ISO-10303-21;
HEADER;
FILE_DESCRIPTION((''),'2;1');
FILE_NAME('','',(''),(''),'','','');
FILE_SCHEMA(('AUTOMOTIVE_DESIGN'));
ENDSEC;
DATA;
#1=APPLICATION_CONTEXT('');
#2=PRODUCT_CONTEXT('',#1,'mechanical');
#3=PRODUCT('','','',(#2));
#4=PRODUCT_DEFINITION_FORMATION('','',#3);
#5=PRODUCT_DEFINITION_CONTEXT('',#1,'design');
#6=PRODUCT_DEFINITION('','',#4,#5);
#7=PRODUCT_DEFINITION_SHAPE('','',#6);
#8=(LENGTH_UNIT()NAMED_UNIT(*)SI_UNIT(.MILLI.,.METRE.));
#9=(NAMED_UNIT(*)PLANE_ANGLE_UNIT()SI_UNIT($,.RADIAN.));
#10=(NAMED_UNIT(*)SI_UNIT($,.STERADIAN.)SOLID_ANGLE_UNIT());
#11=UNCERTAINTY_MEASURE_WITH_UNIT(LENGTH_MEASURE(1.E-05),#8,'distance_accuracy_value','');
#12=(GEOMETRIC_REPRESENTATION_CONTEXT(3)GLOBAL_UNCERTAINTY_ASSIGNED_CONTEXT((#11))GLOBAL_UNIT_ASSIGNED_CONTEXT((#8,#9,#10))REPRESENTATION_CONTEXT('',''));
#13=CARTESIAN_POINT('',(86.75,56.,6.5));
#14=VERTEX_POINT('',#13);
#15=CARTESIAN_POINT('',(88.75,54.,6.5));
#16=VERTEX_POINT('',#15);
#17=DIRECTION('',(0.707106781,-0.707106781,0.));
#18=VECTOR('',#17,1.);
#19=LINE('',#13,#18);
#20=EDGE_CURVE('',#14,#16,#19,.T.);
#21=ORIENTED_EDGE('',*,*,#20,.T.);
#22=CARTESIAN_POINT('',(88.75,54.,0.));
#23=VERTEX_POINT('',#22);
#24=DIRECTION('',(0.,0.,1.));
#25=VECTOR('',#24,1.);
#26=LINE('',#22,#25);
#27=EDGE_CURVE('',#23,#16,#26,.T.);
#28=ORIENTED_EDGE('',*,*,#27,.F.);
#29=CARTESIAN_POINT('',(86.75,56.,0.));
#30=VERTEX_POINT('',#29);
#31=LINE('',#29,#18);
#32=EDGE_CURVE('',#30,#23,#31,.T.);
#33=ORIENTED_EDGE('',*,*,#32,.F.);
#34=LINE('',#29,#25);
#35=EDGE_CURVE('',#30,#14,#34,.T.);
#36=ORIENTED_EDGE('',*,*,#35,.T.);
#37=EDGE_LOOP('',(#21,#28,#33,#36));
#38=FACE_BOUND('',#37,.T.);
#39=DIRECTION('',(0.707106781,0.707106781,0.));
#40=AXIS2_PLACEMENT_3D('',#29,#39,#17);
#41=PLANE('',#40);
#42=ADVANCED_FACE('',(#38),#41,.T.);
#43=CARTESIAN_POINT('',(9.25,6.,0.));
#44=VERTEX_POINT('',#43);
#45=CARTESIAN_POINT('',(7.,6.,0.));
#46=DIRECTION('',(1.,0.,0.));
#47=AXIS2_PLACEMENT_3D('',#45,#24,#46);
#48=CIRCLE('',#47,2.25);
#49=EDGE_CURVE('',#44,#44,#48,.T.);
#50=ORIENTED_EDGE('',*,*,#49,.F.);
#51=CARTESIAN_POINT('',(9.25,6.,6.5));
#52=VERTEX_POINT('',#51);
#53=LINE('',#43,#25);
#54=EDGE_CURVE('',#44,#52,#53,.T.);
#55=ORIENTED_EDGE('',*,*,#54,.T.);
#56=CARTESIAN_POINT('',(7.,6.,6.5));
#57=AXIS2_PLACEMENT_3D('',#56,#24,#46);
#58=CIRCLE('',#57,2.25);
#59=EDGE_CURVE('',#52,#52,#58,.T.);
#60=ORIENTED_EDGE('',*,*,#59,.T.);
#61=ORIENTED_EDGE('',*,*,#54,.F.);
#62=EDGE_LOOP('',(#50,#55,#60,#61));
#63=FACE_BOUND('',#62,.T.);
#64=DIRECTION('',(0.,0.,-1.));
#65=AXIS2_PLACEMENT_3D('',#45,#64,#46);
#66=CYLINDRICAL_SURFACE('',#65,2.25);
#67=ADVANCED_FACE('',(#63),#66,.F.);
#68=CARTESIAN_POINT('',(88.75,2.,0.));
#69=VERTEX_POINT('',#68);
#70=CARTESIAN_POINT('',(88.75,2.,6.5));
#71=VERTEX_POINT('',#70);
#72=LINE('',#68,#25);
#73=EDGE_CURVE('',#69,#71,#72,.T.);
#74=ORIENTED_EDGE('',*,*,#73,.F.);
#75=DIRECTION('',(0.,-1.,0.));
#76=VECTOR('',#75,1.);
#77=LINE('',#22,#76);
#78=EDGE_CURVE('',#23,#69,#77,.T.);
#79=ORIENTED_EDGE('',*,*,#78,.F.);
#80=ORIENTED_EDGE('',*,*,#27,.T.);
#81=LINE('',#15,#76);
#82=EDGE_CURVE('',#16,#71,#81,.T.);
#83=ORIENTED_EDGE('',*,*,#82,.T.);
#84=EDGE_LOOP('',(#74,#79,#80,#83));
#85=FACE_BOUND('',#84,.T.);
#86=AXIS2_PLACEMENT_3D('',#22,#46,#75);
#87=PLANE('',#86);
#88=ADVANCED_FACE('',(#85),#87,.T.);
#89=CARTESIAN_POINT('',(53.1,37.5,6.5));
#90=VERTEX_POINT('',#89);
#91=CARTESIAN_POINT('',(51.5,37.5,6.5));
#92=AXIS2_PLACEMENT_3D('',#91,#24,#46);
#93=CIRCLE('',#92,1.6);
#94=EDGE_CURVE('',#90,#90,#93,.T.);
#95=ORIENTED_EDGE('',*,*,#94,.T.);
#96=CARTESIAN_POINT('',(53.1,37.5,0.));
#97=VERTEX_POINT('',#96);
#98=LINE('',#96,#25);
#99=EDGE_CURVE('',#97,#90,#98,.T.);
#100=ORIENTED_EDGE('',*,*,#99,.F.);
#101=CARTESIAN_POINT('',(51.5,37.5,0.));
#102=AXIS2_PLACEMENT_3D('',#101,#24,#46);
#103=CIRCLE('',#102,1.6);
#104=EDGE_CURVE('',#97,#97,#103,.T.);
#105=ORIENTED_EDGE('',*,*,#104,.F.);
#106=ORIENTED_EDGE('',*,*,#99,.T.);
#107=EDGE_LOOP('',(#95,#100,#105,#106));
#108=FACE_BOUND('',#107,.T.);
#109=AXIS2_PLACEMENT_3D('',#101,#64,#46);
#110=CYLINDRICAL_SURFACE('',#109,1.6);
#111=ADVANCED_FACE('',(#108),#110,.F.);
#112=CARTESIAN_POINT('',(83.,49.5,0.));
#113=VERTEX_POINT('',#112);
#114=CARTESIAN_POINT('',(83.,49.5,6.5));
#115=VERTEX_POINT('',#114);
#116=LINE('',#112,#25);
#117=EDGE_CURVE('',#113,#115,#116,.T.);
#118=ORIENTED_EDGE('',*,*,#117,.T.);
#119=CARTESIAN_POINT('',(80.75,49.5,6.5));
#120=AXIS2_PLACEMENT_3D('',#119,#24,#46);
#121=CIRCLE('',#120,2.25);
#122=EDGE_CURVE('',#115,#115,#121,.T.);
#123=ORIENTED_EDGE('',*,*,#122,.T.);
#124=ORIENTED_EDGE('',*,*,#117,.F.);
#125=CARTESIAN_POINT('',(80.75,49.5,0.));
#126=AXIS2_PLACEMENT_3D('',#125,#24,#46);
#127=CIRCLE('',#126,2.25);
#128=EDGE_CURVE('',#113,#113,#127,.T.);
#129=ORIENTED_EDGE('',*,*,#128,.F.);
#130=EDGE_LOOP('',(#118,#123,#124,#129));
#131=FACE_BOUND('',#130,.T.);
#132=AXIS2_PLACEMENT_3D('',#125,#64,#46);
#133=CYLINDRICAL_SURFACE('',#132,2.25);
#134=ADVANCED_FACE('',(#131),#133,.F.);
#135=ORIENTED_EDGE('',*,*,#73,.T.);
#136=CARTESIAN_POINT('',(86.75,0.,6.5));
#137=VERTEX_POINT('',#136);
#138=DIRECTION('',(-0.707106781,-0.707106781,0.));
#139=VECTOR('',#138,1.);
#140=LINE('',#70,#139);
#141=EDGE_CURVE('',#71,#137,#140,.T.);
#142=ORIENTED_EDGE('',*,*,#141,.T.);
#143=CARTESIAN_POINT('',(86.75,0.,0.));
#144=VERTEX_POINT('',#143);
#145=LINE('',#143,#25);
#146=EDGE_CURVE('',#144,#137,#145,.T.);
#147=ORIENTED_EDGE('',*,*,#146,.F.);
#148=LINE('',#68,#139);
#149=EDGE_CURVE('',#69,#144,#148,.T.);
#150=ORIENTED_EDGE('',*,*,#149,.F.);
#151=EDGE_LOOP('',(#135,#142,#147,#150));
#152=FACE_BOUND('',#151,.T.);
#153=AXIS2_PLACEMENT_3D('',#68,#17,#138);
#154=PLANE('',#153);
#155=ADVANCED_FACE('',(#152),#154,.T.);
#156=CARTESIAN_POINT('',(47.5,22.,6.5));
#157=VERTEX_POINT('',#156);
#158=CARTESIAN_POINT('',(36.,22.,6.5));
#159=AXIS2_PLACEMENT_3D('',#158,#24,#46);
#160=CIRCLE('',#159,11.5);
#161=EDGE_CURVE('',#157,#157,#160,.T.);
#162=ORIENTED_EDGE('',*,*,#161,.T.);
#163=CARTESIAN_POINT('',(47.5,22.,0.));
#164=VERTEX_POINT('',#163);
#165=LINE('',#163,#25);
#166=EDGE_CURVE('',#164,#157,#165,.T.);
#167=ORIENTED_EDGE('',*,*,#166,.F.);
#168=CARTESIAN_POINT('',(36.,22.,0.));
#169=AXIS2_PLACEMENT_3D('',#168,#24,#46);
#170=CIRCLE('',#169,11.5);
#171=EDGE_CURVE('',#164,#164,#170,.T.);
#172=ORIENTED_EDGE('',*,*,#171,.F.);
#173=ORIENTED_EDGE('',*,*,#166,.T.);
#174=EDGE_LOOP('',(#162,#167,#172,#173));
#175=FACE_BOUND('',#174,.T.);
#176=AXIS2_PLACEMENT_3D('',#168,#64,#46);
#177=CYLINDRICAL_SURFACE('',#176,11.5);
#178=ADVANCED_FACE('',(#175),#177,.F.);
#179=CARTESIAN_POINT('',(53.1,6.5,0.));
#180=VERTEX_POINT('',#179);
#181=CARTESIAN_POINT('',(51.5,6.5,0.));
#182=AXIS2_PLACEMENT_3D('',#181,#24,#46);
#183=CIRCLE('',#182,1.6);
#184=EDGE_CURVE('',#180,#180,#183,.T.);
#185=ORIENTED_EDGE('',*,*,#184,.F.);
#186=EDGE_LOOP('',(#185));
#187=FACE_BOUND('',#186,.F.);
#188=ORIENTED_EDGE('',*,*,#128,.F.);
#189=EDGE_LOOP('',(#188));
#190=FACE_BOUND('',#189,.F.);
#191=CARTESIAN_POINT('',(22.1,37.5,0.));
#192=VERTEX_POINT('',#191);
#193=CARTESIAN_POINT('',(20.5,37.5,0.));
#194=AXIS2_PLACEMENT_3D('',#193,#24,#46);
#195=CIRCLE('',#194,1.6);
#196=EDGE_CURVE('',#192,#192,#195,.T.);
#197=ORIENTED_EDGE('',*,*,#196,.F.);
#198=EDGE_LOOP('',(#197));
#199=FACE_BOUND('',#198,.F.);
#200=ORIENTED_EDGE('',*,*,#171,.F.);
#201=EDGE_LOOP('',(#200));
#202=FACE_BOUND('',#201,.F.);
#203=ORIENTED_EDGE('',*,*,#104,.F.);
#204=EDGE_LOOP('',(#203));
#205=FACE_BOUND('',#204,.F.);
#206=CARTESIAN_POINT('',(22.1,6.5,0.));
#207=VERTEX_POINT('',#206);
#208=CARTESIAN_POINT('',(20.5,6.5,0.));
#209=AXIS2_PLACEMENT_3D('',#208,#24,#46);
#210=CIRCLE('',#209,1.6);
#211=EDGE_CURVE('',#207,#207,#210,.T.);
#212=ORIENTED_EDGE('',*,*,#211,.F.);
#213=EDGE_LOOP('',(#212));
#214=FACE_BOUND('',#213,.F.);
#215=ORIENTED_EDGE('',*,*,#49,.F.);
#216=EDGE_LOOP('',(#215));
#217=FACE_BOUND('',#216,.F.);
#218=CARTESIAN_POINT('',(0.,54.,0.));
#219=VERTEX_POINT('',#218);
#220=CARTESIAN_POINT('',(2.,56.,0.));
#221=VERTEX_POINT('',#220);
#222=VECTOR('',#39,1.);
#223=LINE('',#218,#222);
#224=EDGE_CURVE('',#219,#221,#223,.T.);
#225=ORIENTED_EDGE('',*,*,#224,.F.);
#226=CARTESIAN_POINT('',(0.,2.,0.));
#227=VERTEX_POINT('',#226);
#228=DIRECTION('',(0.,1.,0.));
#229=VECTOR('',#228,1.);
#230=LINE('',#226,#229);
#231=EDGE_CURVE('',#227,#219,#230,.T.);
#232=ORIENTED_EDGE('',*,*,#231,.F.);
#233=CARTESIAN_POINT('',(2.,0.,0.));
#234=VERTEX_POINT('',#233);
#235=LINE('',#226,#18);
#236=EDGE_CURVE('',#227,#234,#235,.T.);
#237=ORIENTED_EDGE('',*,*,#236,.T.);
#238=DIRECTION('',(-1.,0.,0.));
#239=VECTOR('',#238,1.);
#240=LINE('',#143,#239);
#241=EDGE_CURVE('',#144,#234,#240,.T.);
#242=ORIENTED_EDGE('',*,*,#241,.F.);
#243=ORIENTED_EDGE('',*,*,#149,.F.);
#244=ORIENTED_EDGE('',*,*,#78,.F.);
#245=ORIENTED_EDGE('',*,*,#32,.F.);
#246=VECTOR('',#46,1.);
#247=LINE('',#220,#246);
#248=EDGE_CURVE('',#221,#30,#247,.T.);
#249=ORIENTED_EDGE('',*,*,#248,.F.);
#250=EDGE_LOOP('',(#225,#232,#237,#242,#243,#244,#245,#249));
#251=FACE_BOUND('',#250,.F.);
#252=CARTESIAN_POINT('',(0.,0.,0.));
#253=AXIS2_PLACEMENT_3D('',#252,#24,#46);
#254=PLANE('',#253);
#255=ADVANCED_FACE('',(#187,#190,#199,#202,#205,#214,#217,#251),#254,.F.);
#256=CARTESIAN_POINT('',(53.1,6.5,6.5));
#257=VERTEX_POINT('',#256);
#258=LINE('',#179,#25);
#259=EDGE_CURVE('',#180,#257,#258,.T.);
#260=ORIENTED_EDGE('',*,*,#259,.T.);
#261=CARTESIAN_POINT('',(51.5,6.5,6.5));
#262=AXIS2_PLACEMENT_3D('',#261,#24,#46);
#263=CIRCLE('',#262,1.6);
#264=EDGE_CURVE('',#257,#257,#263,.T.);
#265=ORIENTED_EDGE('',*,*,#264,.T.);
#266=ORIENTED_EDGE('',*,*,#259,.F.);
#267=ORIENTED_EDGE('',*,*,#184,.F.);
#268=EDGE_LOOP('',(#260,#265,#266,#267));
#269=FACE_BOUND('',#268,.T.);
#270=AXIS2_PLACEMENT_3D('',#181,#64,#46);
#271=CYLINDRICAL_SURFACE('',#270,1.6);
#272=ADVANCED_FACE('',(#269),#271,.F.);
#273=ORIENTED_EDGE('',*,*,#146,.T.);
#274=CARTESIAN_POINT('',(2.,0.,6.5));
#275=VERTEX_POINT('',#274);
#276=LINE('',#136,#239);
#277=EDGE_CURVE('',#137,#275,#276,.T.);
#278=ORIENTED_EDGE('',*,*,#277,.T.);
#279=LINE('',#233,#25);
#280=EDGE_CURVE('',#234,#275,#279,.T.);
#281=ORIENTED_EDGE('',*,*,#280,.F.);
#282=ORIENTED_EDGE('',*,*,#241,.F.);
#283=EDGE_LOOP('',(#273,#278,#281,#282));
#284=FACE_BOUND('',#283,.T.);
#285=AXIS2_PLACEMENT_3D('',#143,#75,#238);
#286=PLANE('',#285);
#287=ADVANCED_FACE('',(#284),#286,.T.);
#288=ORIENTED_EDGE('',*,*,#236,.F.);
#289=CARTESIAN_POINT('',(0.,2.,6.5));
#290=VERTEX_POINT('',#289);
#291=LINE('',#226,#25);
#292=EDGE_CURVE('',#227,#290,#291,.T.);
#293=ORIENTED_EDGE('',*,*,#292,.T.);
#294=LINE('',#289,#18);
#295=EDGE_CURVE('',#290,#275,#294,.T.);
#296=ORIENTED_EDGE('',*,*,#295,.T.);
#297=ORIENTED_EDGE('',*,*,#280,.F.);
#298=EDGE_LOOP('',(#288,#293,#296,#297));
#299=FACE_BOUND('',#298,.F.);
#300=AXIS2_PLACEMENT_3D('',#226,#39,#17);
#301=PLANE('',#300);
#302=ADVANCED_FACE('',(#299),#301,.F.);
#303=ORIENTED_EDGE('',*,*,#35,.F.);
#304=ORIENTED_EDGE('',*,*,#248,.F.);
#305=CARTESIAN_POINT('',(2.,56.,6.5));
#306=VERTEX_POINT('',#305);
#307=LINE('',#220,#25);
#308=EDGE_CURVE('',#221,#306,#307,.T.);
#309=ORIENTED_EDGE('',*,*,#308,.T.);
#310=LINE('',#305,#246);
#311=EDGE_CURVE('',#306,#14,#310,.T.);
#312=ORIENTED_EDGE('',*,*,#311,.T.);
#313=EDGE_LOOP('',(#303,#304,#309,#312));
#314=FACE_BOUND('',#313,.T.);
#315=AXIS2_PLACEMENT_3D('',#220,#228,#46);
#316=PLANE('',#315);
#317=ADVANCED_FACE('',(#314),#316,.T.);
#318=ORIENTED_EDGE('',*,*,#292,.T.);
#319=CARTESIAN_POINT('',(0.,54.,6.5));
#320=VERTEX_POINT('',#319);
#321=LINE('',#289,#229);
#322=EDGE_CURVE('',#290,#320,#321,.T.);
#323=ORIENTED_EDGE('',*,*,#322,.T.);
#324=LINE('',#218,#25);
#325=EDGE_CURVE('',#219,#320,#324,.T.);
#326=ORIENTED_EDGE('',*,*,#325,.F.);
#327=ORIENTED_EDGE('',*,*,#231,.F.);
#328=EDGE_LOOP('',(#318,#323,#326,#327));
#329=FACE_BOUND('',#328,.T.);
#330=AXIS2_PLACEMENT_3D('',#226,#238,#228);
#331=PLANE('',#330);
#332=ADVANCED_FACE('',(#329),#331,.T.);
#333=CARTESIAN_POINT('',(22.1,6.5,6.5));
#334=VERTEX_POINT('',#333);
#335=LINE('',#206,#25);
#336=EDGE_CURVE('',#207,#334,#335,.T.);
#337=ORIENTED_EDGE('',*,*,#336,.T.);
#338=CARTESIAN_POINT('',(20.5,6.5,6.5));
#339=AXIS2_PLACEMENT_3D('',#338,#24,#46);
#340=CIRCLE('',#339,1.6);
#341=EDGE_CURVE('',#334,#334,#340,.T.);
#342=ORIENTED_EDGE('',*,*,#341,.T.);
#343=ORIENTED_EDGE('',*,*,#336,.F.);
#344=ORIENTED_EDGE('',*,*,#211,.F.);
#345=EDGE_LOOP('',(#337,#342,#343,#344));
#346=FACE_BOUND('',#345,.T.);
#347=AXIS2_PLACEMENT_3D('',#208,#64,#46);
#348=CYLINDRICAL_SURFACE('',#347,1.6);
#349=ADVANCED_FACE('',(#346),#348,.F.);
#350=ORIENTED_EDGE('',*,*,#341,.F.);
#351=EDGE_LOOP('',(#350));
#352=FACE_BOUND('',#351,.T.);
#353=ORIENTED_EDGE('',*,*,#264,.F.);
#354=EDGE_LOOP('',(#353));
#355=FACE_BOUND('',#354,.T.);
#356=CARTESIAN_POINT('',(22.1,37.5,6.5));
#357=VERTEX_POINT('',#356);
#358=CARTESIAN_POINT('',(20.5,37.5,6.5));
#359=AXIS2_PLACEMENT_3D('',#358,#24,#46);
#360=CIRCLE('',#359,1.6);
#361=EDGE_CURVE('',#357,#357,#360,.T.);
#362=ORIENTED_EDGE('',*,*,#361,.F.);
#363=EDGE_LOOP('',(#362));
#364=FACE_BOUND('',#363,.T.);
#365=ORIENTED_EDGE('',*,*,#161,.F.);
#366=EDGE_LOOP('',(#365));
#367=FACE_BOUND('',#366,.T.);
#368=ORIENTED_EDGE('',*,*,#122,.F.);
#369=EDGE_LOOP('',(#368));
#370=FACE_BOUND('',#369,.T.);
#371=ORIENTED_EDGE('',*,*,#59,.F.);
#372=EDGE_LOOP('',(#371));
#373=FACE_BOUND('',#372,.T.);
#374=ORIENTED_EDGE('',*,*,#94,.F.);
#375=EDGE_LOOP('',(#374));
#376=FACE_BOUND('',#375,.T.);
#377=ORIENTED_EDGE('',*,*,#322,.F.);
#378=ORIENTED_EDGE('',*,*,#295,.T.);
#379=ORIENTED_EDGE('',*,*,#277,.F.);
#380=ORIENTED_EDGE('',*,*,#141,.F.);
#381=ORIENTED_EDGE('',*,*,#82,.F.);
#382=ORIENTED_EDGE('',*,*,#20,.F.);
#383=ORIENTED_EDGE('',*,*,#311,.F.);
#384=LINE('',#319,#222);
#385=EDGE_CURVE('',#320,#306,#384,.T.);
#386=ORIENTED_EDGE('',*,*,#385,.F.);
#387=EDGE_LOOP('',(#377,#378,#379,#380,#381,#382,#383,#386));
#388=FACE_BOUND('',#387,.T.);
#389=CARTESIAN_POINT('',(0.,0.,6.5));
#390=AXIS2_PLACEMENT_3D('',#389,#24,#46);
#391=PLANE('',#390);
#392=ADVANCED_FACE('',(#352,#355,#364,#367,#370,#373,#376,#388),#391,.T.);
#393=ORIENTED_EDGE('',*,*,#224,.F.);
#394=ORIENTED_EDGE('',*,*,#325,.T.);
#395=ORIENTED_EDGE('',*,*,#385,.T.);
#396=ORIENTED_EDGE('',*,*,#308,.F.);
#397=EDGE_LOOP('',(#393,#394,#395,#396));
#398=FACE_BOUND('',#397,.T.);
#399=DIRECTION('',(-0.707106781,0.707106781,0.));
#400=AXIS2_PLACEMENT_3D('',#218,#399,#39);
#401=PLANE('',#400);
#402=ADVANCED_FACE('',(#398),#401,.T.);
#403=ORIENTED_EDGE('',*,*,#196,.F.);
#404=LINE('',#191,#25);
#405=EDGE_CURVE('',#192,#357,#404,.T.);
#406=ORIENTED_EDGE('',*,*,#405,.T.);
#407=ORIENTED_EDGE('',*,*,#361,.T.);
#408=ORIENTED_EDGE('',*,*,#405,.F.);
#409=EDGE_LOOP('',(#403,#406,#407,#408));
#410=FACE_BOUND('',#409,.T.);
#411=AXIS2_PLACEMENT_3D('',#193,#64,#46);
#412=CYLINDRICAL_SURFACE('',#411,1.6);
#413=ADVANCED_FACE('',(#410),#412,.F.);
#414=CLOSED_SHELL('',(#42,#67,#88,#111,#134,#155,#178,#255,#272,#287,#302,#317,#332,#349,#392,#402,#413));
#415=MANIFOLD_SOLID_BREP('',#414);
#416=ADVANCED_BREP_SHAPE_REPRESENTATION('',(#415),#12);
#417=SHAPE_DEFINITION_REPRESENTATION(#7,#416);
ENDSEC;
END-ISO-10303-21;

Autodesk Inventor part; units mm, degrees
ref_plane "YZ Plane" through (0, 0, 0) normal (1, 0, 0) x (0, 1, 0)
ref_plane "XZ Plane" through (0, 0, 0) normal (0, 1, 0) x (-1, 0, 0)
ref_plane "XY Plane" through (0, 0, 0) normal (0, 0, 1) x (1, 0, 0)
sketch "Sketch1" plane through (0, 0, 0) normal (0, 0, 1) x (1, 0, 0)
  line L0 (20.5, 37.5) -> (51.5, 37.5) construction
  line L1 (51.5, 37.5) -> (51.5, 6.5) construction
  line L2 (51.5, 6.5) -> (20.5, 6.5) construction
  line L3 (20.5, 6.5) -> (20.5, 37.5) construction
  line L4 (14.62, 43.38) -> (57.38, 43.38) construction
  line L5 (57.38, 43.38) -> (57.38, 0.62) construction
  line L6 (57.38, 0.62) -> (14.62, 0.62) construction
  line L7 (14.62, 0.62) -> (14.62, 43.38) construction
  circle A0 centre (20.5, 6.5) radius 1.6
  circle A1 centre (51.5, 6.5) radius 1.6
  circle A2 centre (51.5, 37.5) radius 1.6
  circle A3 centre (20.5, 37.5) radius 1.6
  circle A4 centre (36, 22) radius 11.5
  circle A5 centre (13, 22) radius 4 construction
  circle A6 centre (7, 6) radius 2.25
  circle A7 centre (80.75, 49.5) radius 2.25
  line L8 (2, 56) -> (86.75, 56)
  line L9 (88.75, 54) -> (88.75, 2)
  line L10 (86.75, 0) -> (2, 0)
  line L11 (0, 2) -> (0, 54)
  line L12 (0, 2) -> (2, 0)
  line L13 (0, 54) -> (2, 56)
  line L14 (86.75, 56) -> (88.75, 54)
  line L15 (88.75, 2) -> (86.75, 0)
  circle A8 centre (7, 6) radius 4.5 construction
  circle A9 centre (80.75, 49.5) radius 4.5 construction
  point P0 (0, 0)
  point P1 (36, 37.5)
  point P2 (51.5, 22)
  point P3 (14.62, 22)
  point P4 (36, 43.38)
  point P5 (0, 56)
  point P6 (88.75, 0)
  point P7 (88.75, 56)
  point P8 (0, 0)
  dimension "d0" = 31
  dimension "d1" = 42.76
  dimension "d2" = 3.2
  dimension "d3" = 23
  dimension "d4" = 8
  dimension "d5" = 23
  dimension "d6" = 4.5
  dimension "d7" = 2
  dimension "d8" = 2
  dimension "d9" = 2
  dimension "d10" = 2
  dimension "d11" = 2
  dimension "d12" = 2
  dimension "d13" = 2
  dimension "d14" = 2
  dimension "d15" = 22
  dimension "d16" = 9
  dimension "d17" = 6
  dimension "d18" = 6
  dimension "d19" = 29.25
  dimension "d20" = 12
  dimension "d22" = 36
  dimension "d23" = 34
  dimension "d26" = 8
extrude "Extrusion1" add sketch "Sketch1" along normal blind 6.5
equation "\"d8\" = d7"
equation "\"d9\" = d7"
equation "\"d10\" = d9"
equation "\"d11\" = d7"
equation "\"d12\" = d11"
equation "\"d13\" = d7"
equation "\"d14\" = d13"
properties part number "z_rod_stopper_bottom" material "Plywood, Finish"
